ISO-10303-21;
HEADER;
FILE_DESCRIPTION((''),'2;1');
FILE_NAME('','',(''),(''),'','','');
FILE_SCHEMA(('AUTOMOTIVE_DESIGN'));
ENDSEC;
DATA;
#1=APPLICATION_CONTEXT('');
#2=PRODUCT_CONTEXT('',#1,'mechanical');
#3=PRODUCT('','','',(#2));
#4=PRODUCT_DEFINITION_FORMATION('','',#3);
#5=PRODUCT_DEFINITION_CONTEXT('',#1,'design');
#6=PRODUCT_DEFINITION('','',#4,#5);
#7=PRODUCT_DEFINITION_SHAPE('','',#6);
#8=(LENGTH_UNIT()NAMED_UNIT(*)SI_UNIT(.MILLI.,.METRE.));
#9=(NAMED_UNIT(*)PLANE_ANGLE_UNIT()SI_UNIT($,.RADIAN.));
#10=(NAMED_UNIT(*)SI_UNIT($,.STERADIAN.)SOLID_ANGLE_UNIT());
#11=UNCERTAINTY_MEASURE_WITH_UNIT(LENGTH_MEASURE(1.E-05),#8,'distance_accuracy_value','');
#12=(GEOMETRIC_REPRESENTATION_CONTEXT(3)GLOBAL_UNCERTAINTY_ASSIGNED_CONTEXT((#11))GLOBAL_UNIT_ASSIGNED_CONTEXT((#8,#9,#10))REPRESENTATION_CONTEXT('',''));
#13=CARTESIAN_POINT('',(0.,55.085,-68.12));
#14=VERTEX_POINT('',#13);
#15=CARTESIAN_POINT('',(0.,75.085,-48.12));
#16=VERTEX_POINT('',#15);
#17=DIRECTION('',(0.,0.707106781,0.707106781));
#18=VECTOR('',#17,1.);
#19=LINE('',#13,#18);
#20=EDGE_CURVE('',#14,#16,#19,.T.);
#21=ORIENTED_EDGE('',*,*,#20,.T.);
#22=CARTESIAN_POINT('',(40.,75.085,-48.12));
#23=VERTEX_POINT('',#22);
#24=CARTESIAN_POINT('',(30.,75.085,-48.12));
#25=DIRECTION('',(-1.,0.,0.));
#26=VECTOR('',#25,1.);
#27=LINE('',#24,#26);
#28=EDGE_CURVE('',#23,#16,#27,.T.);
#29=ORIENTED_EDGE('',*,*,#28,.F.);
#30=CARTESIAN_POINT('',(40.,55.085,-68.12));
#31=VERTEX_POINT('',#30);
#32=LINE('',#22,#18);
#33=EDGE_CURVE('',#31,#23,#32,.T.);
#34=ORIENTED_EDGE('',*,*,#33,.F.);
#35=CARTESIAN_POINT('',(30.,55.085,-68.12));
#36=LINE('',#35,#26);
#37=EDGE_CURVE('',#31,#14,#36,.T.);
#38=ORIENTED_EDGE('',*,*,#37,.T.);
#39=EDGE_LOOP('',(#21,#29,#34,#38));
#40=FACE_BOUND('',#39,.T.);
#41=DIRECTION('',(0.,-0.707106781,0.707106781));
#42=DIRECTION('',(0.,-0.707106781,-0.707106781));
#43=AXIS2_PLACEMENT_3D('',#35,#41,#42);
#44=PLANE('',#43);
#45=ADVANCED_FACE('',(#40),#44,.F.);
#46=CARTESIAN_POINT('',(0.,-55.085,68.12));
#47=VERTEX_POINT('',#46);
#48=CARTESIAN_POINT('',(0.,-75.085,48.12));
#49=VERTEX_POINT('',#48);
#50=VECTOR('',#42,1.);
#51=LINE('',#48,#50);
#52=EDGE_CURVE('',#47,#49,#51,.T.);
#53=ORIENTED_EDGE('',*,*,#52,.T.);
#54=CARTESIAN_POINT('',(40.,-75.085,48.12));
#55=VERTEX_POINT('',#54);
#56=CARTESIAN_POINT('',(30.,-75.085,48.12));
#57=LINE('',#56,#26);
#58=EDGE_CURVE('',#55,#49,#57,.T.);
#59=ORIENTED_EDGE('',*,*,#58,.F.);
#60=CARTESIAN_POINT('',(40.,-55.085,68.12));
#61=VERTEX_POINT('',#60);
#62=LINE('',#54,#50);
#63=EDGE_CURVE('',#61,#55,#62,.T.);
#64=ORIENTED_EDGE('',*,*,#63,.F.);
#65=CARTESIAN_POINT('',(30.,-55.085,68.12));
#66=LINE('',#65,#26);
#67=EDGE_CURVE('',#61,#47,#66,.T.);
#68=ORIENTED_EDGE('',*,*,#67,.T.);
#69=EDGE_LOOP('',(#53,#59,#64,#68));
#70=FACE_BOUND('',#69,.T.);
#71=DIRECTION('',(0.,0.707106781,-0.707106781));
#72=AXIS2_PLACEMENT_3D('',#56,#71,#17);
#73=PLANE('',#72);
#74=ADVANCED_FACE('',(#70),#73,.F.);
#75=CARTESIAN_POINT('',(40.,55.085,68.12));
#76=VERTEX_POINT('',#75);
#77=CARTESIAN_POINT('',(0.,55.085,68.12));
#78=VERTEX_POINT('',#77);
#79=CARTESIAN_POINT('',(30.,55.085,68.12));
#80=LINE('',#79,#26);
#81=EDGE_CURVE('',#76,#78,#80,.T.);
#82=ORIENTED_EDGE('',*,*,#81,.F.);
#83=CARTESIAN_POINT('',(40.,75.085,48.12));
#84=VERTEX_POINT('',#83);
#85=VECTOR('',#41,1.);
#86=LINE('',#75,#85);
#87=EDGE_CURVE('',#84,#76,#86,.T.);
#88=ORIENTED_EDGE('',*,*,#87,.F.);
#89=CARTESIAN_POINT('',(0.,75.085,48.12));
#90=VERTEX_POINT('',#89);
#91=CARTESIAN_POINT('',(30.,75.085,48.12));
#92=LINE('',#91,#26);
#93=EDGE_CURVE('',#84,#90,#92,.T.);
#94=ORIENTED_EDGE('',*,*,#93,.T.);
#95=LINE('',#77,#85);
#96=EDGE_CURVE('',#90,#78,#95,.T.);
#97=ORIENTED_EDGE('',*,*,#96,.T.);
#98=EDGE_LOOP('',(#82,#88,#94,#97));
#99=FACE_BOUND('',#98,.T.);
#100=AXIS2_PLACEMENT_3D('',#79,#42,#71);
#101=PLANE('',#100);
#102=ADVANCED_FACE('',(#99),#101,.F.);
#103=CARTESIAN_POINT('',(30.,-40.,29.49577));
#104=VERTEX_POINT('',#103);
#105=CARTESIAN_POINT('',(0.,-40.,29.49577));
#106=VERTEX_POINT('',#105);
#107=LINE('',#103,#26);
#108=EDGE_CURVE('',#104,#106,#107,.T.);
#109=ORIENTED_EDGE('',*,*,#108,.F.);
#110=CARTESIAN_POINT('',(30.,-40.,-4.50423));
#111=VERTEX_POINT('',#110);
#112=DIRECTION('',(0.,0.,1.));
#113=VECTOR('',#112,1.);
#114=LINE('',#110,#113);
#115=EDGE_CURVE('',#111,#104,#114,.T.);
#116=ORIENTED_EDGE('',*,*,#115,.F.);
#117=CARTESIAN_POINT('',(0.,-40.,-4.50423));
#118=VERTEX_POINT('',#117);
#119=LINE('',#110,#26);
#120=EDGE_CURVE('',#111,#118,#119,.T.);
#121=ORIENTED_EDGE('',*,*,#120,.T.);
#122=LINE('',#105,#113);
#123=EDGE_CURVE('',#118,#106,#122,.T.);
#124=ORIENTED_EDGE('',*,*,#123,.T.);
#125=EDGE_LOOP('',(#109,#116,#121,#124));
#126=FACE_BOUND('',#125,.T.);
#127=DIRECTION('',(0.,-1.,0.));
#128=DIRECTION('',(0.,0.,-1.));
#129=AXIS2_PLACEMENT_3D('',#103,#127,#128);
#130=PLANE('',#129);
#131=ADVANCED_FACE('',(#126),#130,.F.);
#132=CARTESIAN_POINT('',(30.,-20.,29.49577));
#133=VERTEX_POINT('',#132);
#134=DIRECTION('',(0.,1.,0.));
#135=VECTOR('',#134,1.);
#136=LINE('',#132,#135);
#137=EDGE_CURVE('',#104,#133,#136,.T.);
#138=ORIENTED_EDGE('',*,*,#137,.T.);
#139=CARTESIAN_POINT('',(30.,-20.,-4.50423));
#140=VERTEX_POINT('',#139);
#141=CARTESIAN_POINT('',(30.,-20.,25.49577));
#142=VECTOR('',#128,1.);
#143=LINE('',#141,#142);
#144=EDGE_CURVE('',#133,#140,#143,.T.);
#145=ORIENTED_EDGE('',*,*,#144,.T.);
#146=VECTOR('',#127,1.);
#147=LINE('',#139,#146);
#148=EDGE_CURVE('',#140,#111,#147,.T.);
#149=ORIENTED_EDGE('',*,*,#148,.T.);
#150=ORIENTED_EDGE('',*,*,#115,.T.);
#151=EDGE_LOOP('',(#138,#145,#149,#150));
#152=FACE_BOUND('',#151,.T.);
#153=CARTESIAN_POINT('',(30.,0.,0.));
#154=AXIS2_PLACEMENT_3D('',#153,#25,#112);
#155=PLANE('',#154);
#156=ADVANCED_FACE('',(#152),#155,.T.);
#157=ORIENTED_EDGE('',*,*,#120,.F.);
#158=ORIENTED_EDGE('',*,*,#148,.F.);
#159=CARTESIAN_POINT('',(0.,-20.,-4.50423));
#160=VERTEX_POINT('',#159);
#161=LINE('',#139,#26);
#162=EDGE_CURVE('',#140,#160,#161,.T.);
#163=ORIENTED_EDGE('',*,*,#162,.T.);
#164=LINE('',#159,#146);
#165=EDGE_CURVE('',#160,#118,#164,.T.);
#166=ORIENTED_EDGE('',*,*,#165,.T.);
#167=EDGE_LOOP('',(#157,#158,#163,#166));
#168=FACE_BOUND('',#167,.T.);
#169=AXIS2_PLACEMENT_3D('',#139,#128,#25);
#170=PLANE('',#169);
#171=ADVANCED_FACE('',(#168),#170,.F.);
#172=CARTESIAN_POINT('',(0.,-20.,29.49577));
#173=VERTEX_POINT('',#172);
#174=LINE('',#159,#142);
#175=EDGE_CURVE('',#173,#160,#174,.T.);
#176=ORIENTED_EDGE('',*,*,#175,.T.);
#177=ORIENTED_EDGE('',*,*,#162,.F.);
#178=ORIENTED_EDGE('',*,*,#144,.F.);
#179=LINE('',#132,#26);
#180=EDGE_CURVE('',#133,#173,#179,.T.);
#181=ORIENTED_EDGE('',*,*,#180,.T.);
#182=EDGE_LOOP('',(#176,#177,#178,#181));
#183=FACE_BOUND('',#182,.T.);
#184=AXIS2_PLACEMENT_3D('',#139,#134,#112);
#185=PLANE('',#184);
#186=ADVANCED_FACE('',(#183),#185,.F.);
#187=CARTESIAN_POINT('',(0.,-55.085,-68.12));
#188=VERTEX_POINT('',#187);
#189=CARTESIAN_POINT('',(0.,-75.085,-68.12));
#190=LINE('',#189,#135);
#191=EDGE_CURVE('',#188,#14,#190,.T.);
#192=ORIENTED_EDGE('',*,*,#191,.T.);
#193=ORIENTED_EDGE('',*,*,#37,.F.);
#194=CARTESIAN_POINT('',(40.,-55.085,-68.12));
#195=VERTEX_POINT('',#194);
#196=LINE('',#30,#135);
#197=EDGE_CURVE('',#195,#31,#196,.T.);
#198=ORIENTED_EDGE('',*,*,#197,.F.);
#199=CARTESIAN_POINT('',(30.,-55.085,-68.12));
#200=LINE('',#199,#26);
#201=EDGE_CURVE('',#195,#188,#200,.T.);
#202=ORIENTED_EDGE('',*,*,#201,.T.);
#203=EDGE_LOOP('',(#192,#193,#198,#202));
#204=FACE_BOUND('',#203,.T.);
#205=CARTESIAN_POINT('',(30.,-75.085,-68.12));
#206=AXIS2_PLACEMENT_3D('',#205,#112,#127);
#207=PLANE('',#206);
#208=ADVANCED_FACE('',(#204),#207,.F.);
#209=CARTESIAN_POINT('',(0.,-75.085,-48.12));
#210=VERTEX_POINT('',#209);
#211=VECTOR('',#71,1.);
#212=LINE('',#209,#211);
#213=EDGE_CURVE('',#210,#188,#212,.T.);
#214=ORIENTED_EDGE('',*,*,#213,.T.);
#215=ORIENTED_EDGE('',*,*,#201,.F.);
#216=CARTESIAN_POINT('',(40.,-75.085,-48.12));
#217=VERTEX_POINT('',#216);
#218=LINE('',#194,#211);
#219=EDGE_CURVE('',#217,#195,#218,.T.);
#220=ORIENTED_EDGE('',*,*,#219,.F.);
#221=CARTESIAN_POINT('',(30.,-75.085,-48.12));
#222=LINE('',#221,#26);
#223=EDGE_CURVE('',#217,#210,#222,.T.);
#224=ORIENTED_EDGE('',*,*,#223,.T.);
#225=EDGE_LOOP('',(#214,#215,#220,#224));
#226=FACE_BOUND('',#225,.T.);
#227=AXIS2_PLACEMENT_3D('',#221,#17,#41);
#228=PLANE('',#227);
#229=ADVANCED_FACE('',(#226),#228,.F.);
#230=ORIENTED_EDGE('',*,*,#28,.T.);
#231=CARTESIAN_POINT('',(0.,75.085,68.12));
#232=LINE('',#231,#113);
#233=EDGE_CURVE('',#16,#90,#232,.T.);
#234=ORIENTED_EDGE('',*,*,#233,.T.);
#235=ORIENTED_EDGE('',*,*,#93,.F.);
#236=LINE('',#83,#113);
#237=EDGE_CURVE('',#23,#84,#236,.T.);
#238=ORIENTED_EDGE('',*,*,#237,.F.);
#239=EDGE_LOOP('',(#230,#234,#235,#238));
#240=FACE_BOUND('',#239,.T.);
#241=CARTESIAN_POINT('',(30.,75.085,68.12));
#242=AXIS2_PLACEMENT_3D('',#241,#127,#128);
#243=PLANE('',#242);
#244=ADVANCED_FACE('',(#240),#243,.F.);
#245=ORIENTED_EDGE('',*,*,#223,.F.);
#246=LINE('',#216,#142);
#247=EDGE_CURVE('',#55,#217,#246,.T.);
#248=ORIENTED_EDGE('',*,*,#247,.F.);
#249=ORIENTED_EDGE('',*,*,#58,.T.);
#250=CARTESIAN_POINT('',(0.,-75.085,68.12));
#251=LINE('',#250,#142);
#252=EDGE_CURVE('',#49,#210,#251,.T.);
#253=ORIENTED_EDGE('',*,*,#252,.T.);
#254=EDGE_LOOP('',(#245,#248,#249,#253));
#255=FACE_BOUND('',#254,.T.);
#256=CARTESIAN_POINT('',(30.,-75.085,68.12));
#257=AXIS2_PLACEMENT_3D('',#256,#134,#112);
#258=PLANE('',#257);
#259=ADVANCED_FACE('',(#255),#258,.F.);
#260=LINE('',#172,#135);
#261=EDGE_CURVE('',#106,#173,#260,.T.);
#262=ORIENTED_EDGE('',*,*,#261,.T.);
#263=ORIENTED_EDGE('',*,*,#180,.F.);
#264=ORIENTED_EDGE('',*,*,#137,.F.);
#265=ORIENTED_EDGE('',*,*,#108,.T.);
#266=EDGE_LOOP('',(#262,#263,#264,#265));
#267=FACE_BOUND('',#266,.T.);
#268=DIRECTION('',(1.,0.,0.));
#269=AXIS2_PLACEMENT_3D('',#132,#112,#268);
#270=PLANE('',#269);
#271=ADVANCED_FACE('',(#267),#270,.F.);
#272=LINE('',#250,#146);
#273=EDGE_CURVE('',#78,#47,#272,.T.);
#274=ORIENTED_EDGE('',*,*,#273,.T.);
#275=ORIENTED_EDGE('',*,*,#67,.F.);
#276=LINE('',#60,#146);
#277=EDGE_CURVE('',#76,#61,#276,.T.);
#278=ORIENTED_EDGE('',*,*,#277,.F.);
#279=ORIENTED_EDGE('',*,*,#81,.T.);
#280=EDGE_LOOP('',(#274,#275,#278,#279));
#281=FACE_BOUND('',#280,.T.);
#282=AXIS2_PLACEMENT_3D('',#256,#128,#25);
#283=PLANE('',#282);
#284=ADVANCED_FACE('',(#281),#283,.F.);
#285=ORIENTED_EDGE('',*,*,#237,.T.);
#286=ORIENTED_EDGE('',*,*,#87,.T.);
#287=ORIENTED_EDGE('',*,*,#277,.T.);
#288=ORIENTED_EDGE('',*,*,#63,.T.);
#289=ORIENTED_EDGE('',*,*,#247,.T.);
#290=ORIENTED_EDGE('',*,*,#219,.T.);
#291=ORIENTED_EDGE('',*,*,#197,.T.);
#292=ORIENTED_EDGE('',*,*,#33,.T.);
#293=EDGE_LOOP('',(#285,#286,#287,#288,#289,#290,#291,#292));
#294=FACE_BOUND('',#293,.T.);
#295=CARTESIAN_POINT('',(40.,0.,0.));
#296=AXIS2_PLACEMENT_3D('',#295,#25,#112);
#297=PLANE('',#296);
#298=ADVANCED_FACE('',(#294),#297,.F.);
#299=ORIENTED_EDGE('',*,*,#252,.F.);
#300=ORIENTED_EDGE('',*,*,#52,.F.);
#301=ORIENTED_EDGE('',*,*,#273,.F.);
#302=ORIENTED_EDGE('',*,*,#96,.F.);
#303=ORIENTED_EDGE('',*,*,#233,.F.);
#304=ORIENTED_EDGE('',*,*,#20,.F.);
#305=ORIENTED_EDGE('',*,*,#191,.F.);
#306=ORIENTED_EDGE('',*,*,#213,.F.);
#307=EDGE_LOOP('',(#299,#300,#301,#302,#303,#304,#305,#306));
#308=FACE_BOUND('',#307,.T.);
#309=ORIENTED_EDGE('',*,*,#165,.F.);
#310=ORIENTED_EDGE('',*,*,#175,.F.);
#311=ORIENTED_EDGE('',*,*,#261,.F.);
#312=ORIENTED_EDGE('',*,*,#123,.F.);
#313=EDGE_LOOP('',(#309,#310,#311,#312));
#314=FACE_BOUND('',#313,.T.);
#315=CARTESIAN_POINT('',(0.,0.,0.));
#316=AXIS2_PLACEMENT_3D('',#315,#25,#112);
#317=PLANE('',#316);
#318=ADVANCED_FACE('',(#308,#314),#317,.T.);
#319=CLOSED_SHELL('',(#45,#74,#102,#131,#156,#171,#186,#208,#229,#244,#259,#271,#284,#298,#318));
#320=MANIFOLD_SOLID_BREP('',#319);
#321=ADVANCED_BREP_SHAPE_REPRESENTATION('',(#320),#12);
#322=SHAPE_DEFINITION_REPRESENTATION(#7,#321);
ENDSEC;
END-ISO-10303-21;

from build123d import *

# Parameters (mm, degrees)
SKETCH3_W           = 136.24
SKETCH3_H           = 150.17
BOSS_EXTRUDE1_DEPTH = 30
CUT_EXTRUDE1_DEPTH  = 30
BOSS_EXTRUDE2_DEPTH = 10


with BuildPart() as part:
    # Sketch3 → Boss-Extrude1 (new body)
    with BuildSketch(Plane(origin=(0, 0, 0), x_dir=(0, 0, -1), z_dir=(1, 0, 0))):
        Rectangle(SKETCH3_W, SKETCH3_H)
    extrude(amount=BOSS_EXTRUDE1_DEPTH)

    # Sketch4 → Cut-Extrude1 (cut)
    with BuildSketch(Plane.ZY):
        Polygon((-68.12, 75.085), (-48.12, 75.085), (-68.12, 55.085), align=None)
        Polygon((68.12, 75.085), (68.12, 55.085), (48.12, 75.085), align=None)
        Polygon((-68.12, -75.085), (-68.12, -55.085), (-48.12, -75.085), align=None)
        Polygon((68.12, -75.085), (68.12, -55.085), (48.12, -75.085), align=None)
        Polygon((25.49577004, -20), (29.49577004, -20), (29.49577004, -40), (25.49577004, -40), (-4.50422996, -40), (-4.50422996, -20), align=None)
    extrude(amount=-CUT_EXTRUDE1_DEPTH, mode=Mode.SUBTRACT)

    # Sketch6 → Boss-Extrude2 (add)
    with BuildSketch(Plane(origin=(30, 0, 0), x_dir=(0, 0, -1), z_dir=(1, 0, 0))):
        Polygon((-68.12, 55.085), (-48.12, 75.085), (48.12, 75.085), (68.12, 55.085), (68.12, -55.085), (48.12, -75.085), (-48.12, -75.085), (-68.12, -55.085), align=None)
    extrude(amount=BOSS_EXTRUDE2_DEPTH)


solid = part.part
